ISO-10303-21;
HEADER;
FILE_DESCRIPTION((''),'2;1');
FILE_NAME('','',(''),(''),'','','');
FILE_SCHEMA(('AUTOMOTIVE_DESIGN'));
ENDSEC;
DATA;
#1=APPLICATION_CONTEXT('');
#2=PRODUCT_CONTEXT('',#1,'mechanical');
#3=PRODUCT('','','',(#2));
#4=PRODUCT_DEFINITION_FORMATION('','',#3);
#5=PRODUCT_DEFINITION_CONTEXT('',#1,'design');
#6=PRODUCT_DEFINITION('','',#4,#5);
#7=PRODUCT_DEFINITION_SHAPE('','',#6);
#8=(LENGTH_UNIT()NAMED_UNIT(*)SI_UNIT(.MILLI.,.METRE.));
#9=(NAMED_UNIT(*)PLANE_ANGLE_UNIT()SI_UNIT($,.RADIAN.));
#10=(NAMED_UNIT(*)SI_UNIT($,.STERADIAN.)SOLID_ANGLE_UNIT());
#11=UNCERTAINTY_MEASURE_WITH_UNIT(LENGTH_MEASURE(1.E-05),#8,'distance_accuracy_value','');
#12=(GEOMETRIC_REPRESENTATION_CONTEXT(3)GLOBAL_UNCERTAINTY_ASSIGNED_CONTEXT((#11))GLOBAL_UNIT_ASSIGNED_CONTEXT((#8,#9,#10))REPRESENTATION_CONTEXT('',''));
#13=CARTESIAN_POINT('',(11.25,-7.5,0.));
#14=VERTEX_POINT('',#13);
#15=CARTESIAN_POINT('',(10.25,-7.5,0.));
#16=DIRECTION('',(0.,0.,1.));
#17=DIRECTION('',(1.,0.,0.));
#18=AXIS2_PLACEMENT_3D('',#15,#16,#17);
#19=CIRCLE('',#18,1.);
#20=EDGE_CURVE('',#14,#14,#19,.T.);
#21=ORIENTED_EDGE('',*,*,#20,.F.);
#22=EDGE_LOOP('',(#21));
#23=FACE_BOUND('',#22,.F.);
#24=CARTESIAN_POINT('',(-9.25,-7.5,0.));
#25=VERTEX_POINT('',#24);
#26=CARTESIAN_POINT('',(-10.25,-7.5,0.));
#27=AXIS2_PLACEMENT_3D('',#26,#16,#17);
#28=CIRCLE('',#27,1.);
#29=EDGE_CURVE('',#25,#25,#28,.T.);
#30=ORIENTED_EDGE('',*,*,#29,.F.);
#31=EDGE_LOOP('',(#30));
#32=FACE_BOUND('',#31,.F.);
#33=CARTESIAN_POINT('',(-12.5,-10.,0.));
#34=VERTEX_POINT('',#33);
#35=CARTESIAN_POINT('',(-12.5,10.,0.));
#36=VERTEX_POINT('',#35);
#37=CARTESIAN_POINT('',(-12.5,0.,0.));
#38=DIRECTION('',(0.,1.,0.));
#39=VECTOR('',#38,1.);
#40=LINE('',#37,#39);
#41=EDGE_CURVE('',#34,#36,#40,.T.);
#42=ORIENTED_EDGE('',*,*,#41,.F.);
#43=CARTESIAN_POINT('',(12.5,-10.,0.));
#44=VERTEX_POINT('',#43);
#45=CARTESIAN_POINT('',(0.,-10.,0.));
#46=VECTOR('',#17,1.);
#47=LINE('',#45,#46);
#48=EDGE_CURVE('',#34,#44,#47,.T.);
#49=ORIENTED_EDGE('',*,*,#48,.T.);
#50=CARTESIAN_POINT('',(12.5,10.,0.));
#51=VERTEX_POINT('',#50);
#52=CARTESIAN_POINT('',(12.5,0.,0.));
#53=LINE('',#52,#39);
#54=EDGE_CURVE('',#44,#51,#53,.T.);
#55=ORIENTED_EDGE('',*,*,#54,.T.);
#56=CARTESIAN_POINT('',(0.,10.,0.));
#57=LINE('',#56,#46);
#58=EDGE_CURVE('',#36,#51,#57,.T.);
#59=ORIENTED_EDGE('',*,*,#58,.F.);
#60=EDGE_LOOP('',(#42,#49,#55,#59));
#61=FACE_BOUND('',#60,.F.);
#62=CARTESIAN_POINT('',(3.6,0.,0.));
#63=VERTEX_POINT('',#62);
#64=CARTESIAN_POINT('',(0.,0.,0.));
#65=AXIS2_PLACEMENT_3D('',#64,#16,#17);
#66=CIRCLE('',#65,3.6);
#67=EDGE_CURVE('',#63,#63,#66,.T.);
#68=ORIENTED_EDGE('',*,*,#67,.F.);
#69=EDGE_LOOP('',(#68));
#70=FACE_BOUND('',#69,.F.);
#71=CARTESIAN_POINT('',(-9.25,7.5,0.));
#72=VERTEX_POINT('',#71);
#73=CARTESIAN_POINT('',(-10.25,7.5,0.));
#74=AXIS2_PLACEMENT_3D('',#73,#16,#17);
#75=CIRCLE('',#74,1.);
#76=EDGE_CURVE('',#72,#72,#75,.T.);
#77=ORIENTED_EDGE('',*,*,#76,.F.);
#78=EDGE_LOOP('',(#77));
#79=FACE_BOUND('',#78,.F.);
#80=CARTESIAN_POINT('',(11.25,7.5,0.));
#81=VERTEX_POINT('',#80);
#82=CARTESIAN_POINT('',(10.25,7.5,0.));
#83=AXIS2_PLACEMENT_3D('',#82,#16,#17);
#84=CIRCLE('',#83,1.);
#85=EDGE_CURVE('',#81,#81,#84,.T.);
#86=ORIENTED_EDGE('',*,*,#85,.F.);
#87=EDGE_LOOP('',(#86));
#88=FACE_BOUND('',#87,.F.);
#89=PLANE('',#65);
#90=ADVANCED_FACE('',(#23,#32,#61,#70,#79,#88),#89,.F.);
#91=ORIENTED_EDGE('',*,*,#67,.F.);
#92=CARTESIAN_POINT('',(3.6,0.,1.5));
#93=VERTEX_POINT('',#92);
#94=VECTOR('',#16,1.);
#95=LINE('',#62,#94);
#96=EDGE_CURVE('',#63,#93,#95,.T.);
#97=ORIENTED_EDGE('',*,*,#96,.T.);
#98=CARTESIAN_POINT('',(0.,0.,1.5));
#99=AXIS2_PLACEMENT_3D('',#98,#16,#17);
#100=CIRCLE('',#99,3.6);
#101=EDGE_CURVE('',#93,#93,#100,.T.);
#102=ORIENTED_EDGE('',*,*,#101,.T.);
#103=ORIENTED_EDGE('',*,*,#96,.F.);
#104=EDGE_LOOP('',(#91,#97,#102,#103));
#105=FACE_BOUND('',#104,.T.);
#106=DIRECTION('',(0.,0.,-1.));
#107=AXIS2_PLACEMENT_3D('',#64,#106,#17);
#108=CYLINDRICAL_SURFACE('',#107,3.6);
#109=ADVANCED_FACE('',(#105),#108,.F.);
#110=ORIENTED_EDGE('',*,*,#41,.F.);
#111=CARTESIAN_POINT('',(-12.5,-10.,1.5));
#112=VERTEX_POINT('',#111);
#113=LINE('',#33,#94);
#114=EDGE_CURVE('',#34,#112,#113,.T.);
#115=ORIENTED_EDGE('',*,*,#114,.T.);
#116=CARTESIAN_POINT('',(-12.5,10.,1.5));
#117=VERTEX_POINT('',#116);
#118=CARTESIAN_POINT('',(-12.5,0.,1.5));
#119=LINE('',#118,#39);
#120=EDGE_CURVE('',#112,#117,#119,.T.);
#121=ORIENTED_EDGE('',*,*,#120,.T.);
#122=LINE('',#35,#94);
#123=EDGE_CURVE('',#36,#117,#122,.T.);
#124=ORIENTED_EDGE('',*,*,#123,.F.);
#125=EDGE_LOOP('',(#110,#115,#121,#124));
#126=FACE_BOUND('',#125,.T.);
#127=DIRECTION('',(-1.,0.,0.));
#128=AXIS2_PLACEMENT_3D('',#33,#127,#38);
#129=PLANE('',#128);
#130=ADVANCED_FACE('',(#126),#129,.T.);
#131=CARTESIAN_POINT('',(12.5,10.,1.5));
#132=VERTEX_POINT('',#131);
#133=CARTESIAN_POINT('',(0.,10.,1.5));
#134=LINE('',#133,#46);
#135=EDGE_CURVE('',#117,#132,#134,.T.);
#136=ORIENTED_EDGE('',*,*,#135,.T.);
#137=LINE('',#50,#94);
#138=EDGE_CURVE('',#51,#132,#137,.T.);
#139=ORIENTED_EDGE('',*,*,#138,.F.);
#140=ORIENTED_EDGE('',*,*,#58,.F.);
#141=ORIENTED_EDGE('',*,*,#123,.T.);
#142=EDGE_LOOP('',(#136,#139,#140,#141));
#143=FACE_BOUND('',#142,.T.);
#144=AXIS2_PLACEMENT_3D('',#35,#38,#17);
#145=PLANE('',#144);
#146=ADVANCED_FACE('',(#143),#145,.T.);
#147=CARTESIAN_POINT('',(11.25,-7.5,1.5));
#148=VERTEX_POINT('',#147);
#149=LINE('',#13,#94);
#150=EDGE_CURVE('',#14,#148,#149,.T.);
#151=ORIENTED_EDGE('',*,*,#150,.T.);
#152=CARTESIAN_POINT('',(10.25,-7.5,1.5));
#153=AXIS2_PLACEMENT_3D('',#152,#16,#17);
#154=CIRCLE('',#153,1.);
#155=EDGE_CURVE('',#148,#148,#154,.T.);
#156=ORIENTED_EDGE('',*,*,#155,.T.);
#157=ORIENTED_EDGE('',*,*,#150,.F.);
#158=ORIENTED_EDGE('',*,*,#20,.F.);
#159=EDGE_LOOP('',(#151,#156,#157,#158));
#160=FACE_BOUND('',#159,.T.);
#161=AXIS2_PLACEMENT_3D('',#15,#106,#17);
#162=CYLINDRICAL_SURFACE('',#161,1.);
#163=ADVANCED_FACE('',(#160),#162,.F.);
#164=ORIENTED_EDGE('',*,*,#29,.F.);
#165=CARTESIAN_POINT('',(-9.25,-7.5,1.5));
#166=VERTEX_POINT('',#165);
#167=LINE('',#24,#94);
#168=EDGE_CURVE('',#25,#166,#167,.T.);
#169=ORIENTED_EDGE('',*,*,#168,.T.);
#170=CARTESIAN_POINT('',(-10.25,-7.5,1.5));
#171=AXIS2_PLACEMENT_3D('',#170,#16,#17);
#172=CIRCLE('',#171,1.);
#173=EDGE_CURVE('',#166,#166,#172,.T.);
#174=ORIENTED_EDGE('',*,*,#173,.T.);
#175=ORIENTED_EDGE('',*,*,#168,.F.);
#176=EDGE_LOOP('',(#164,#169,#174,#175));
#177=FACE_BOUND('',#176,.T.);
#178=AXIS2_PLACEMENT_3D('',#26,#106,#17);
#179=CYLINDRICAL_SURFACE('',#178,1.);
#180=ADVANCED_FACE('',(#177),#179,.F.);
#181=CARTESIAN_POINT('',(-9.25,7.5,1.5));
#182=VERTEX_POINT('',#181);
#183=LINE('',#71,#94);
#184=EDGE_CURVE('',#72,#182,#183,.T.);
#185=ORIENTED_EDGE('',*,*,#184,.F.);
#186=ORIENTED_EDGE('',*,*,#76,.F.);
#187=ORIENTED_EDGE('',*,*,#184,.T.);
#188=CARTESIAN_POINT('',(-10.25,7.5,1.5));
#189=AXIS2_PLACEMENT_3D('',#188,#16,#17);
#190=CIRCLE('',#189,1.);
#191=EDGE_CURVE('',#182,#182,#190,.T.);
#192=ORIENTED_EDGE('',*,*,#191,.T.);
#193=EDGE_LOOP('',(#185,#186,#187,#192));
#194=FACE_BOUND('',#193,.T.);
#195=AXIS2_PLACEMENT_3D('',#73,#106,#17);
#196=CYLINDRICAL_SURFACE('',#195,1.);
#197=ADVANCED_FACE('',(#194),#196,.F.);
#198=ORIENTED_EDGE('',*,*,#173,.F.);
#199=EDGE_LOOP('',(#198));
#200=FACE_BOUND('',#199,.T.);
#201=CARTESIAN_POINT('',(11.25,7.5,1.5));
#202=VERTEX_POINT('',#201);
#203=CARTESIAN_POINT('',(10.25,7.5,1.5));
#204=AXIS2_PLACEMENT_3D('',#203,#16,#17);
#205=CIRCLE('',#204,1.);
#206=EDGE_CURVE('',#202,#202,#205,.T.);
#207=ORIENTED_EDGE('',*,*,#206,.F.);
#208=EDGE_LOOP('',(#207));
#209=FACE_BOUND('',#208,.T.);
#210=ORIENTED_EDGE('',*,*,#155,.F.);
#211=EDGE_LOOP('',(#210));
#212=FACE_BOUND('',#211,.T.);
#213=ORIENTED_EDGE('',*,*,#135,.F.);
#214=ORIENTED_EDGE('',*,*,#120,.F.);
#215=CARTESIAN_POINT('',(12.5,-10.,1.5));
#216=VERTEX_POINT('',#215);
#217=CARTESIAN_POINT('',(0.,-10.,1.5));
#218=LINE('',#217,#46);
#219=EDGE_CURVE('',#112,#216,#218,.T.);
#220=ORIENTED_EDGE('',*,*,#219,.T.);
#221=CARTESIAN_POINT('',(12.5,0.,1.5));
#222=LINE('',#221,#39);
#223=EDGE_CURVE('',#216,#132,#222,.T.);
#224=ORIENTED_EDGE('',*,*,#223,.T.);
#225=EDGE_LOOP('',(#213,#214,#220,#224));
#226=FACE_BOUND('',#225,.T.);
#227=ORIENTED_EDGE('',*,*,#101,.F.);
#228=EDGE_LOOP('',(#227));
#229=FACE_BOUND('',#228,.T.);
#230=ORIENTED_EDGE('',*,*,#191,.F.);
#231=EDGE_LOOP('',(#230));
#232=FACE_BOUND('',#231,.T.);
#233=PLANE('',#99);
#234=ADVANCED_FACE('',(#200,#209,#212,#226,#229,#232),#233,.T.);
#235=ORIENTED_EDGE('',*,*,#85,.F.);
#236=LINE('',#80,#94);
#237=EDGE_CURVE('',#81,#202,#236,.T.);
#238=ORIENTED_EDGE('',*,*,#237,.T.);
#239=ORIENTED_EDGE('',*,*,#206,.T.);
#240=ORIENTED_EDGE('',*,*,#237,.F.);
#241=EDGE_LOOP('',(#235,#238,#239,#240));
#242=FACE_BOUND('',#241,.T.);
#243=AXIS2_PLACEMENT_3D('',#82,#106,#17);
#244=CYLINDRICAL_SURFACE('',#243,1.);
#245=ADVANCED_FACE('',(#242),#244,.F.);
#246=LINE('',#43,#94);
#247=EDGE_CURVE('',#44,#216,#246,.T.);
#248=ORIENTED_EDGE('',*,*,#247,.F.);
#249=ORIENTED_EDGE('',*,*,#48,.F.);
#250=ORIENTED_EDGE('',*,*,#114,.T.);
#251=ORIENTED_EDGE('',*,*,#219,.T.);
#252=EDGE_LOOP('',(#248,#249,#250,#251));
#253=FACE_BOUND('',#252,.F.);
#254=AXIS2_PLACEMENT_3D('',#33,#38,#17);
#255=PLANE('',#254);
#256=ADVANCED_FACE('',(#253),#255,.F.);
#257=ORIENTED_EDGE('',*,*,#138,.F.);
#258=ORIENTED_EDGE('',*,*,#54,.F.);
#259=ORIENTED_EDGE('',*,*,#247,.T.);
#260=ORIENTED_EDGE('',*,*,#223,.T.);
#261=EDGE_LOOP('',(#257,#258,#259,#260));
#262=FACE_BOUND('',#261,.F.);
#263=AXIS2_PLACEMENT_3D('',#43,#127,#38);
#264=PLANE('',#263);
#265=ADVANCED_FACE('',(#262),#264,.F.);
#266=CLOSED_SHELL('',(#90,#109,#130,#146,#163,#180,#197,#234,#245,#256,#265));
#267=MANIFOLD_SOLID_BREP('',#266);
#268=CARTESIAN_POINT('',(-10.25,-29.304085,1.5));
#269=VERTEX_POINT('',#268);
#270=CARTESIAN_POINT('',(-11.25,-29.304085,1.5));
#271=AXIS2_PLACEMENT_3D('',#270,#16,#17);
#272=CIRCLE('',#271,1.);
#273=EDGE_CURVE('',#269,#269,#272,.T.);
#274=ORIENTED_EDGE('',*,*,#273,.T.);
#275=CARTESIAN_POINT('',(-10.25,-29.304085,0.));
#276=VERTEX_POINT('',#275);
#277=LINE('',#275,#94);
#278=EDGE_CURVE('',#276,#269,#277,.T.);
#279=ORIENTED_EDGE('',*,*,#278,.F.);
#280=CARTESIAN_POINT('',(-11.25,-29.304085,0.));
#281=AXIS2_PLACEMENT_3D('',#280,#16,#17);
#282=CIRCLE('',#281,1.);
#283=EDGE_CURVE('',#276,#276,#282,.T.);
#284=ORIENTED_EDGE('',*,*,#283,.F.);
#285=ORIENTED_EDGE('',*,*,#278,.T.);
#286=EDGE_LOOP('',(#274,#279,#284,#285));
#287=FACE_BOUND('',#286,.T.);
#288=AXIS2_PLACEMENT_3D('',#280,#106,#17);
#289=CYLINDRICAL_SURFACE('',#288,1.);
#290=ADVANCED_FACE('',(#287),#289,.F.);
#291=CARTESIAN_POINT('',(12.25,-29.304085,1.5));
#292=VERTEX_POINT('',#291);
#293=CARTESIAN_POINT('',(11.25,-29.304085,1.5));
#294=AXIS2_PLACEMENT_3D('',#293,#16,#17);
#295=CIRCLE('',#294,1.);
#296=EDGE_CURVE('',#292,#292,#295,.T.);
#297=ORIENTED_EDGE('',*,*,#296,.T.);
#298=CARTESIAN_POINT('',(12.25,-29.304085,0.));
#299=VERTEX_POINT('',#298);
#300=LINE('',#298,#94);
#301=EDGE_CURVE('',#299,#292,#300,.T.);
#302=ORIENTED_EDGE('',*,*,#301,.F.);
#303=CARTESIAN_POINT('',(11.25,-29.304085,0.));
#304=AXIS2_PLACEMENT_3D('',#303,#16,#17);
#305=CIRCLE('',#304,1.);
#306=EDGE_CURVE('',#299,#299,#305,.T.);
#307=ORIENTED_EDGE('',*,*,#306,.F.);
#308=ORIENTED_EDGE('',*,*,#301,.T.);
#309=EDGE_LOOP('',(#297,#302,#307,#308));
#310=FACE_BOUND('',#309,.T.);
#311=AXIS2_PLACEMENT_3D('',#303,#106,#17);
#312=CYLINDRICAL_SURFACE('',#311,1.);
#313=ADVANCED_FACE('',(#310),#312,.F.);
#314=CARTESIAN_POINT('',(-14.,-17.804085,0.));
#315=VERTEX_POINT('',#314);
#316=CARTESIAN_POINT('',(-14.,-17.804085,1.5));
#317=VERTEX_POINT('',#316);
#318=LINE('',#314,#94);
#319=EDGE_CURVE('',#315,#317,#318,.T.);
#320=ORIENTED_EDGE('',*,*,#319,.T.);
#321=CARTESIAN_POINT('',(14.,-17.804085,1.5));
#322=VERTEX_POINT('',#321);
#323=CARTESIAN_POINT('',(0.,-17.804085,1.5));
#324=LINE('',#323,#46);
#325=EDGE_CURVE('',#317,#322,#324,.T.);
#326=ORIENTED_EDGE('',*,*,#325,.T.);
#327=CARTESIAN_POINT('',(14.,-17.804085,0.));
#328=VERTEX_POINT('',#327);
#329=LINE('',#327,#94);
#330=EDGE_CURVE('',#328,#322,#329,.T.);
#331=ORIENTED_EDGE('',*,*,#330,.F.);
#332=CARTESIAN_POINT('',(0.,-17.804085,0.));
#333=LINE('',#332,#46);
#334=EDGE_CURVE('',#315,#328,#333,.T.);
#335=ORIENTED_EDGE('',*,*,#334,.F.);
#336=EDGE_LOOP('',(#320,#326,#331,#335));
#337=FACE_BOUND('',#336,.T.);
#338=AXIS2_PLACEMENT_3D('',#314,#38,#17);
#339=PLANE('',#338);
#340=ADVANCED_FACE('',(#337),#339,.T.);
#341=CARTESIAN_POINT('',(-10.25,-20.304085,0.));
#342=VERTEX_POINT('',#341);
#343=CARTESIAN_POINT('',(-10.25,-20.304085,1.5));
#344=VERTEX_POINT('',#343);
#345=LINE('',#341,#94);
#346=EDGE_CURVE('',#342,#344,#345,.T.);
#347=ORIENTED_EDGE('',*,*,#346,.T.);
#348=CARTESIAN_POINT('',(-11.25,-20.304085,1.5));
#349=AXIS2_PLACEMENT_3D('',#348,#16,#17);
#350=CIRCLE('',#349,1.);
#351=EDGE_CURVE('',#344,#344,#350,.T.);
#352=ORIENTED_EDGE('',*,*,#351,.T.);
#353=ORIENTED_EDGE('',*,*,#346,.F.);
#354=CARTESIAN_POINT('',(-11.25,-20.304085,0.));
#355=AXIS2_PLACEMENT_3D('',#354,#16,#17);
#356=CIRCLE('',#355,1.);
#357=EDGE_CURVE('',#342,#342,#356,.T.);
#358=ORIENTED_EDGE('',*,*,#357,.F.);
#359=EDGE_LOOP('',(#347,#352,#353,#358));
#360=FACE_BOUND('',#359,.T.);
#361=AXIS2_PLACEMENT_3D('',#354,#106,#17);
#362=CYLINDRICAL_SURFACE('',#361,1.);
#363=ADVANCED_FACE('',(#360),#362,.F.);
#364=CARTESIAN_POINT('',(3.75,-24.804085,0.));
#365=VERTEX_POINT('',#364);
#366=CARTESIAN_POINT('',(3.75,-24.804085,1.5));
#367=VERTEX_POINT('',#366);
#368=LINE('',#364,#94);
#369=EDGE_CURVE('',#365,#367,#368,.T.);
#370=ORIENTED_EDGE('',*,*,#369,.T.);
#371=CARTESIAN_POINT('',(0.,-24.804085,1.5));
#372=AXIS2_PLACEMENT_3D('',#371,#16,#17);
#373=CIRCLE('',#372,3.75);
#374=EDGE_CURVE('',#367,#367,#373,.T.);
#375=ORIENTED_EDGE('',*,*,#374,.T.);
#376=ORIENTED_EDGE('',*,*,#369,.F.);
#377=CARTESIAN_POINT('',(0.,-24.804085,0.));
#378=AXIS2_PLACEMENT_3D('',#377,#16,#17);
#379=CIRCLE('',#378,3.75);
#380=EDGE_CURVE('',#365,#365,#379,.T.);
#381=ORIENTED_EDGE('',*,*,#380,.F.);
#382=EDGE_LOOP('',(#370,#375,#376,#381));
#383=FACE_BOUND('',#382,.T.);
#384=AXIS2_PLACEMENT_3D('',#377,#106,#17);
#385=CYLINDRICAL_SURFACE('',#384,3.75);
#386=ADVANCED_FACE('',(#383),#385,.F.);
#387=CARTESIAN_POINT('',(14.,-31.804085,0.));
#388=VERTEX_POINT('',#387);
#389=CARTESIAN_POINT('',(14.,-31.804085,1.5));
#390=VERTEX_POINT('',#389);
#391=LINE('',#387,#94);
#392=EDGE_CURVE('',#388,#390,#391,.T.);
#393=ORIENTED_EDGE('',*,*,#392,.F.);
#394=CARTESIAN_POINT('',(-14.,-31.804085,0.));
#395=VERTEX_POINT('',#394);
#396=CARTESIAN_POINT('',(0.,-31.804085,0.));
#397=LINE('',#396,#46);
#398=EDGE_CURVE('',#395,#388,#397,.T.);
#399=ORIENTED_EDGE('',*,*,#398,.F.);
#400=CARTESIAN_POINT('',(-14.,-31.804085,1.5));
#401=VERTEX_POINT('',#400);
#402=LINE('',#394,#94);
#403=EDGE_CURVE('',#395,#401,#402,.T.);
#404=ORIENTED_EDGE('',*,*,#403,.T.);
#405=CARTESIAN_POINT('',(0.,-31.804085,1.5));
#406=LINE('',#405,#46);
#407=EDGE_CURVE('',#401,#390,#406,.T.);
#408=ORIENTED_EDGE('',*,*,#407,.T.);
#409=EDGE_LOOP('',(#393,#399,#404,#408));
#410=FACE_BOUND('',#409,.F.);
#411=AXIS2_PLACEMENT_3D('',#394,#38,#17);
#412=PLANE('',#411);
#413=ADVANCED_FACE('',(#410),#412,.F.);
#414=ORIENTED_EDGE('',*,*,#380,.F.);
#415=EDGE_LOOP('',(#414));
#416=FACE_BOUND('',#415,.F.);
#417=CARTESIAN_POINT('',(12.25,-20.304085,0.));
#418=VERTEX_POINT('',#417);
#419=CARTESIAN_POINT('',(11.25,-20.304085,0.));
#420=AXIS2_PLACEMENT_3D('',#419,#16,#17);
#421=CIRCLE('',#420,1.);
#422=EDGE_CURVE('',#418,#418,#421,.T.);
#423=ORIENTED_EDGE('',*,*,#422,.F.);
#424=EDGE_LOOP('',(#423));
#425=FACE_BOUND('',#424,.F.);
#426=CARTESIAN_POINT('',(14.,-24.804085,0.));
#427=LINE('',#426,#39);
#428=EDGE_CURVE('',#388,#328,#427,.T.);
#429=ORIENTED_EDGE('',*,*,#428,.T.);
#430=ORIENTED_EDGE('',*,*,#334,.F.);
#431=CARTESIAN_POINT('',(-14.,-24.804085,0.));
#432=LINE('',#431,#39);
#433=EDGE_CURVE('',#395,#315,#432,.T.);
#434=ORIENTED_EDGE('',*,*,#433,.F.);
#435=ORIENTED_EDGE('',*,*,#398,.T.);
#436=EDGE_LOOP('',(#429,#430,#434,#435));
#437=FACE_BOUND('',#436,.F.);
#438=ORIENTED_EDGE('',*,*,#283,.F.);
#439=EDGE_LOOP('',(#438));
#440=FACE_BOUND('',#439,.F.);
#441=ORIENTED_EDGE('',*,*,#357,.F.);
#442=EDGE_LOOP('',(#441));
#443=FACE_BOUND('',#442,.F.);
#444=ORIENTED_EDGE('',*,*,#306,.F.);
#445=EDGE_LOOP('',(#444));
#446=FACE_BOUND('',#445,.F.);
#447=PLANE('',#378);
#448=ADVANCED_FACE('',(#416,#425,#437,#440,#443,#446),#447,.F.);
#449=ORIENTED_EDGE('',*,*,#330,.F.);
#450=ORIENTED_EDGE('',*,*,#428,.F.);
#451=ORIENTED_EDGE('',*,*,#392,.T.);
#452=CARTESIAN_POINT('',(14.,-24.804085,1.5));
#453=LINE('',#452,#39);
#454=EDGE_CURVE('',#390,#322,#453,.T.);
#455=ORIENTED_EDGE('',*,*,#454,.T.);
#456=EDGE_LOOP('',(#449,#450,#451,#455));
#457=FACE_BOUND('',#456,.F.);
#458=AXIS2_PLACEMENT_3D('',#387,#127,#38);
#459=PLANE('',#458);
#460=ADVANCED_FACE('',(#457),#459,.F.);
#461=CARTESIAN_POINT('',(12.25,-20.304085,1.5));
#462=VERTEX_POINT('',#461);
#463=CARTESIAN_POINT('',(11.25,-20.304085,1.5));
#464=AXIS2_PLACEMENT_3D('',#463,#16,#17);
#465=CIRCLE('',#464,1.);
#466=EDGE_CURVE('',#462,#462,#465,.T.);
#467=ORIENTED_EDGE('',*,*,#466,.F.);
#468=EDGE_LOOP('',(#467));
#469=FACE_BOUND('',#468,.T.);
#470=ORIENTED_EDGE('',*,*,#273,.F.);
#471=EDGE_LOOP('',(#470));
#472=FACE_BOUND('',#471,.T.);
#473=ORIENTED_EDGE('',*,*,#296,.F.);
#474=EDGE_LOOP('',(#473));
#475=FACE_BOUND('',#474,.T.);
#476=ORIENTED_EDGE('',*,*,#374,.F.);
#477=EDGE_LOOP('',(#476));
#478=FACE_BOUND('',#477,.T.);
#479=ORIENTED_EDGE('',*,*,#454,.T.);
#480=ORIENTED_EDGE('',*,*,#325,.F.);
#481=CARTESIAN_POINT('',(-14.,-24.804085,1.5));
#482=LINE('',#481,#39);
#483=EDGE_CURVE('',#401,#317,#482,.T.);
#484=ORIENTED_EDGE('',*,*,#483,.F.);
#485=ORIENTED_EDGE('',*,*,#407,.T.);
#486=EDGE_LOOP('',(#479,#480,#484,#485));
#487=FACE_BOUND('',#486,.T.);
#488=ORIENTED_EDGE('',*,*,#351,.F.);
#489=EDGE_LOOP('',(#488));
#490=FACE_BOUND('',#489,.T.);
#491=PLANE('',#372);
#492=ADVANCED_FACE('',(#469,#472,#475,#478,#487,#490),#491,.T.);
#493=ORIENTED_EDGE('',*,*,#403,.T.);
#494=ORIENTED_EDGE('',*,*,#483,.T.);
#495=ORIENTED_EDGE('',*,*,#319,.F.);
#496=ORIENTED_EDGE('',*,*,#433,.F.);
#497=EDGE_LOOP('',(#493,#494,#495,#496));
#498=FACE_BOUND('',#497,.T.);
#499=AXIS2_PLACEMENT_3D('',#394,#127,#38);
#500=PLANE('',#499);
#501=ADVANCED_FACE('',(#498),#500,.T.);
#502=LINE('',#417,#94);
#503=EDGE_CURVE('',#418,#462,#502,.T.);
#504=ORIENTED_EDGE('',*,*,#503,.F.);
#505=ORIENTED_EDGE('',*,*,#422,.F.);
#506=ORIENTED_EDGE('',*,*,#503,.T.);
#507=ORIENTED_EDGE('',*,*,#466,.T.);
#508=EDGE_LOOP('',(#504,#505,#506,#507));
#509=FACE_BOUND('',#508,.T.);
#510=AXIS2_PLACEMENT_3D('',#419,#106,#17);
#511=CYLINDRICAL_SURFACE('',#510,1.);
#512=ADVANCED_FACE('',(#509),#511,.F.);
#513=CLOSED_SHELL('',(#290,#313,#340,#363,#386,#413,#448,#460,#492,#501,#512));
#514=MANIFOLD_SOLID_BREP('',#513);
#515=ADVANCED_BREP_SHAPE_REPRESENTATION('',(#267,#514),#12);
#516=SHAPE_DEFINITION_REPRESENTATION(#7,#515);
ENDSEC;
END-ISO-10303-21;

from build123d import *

# Parameters (mm, degrees)
F0_W     = 25
F0_H     = 20
F0_R     = 1
F0_R_2   = 3.6
F1_DEPTH = 1.5
F2_W     = 28
F2_H     = 14
F2_R     = 1
F2_R_2   = 3.75
F3_DEPTH = 1.5


with BuildPart() as f1:
    # F0 (on Top) → F1 (new body)
    with BuildSketch(Plane.XY):
        Rectangle(F0_W, F0_H)
        with Locations((-10.25, -7.5)):
            Circle(F0_R, mode=Mode.SUBTRACT)
        with Locations((10.25, -7.5)):
            Circle(F0_R, mode=Mode.SUBTRACT)
        with Locations((-10.25, 7.5)):
            Circle(F0_R, mode=Mode.SUBTRACT)
        Circle(F0_R_2, mode=Mode.SUBTRACT)
        with Locations((10.25, 7.5)):
            Circle(F0_R, mode=Mode.SUBTRACT)
    extrude(amount=F1_DEPTH)


with BuildPart() as f3:
    # F2 (on Top) → F3 (new body)
    with BuildSketch(Plane.XY):
        with Locations((0, -24.804085)):
            Rectangle(F2_W, F2_H)
        with Locations((-11.25, -29.304085)):
            Circle(F2_R, mode=Mode.SUBTRACT)
        with Locations((11.25, -29.304085)):
            Circle(F2_R, mode=Mode.SUBTRACT)
        with Locations((-11.25, -20.304085)):
            Circle(F2_R, mode=Mode.SUBTRACT)
        with Locations((0, -24.804085)):
            Circle(F2_R_2, mode=Mode.SUBTRACT)
        with Locations((11.25, -20.304085)):
            Circle(F2_R, mode=Mode.SUBTRACT)
    extrude(amount=F3_DEPTH)


solid = Compound([f1.part, f3.part])
